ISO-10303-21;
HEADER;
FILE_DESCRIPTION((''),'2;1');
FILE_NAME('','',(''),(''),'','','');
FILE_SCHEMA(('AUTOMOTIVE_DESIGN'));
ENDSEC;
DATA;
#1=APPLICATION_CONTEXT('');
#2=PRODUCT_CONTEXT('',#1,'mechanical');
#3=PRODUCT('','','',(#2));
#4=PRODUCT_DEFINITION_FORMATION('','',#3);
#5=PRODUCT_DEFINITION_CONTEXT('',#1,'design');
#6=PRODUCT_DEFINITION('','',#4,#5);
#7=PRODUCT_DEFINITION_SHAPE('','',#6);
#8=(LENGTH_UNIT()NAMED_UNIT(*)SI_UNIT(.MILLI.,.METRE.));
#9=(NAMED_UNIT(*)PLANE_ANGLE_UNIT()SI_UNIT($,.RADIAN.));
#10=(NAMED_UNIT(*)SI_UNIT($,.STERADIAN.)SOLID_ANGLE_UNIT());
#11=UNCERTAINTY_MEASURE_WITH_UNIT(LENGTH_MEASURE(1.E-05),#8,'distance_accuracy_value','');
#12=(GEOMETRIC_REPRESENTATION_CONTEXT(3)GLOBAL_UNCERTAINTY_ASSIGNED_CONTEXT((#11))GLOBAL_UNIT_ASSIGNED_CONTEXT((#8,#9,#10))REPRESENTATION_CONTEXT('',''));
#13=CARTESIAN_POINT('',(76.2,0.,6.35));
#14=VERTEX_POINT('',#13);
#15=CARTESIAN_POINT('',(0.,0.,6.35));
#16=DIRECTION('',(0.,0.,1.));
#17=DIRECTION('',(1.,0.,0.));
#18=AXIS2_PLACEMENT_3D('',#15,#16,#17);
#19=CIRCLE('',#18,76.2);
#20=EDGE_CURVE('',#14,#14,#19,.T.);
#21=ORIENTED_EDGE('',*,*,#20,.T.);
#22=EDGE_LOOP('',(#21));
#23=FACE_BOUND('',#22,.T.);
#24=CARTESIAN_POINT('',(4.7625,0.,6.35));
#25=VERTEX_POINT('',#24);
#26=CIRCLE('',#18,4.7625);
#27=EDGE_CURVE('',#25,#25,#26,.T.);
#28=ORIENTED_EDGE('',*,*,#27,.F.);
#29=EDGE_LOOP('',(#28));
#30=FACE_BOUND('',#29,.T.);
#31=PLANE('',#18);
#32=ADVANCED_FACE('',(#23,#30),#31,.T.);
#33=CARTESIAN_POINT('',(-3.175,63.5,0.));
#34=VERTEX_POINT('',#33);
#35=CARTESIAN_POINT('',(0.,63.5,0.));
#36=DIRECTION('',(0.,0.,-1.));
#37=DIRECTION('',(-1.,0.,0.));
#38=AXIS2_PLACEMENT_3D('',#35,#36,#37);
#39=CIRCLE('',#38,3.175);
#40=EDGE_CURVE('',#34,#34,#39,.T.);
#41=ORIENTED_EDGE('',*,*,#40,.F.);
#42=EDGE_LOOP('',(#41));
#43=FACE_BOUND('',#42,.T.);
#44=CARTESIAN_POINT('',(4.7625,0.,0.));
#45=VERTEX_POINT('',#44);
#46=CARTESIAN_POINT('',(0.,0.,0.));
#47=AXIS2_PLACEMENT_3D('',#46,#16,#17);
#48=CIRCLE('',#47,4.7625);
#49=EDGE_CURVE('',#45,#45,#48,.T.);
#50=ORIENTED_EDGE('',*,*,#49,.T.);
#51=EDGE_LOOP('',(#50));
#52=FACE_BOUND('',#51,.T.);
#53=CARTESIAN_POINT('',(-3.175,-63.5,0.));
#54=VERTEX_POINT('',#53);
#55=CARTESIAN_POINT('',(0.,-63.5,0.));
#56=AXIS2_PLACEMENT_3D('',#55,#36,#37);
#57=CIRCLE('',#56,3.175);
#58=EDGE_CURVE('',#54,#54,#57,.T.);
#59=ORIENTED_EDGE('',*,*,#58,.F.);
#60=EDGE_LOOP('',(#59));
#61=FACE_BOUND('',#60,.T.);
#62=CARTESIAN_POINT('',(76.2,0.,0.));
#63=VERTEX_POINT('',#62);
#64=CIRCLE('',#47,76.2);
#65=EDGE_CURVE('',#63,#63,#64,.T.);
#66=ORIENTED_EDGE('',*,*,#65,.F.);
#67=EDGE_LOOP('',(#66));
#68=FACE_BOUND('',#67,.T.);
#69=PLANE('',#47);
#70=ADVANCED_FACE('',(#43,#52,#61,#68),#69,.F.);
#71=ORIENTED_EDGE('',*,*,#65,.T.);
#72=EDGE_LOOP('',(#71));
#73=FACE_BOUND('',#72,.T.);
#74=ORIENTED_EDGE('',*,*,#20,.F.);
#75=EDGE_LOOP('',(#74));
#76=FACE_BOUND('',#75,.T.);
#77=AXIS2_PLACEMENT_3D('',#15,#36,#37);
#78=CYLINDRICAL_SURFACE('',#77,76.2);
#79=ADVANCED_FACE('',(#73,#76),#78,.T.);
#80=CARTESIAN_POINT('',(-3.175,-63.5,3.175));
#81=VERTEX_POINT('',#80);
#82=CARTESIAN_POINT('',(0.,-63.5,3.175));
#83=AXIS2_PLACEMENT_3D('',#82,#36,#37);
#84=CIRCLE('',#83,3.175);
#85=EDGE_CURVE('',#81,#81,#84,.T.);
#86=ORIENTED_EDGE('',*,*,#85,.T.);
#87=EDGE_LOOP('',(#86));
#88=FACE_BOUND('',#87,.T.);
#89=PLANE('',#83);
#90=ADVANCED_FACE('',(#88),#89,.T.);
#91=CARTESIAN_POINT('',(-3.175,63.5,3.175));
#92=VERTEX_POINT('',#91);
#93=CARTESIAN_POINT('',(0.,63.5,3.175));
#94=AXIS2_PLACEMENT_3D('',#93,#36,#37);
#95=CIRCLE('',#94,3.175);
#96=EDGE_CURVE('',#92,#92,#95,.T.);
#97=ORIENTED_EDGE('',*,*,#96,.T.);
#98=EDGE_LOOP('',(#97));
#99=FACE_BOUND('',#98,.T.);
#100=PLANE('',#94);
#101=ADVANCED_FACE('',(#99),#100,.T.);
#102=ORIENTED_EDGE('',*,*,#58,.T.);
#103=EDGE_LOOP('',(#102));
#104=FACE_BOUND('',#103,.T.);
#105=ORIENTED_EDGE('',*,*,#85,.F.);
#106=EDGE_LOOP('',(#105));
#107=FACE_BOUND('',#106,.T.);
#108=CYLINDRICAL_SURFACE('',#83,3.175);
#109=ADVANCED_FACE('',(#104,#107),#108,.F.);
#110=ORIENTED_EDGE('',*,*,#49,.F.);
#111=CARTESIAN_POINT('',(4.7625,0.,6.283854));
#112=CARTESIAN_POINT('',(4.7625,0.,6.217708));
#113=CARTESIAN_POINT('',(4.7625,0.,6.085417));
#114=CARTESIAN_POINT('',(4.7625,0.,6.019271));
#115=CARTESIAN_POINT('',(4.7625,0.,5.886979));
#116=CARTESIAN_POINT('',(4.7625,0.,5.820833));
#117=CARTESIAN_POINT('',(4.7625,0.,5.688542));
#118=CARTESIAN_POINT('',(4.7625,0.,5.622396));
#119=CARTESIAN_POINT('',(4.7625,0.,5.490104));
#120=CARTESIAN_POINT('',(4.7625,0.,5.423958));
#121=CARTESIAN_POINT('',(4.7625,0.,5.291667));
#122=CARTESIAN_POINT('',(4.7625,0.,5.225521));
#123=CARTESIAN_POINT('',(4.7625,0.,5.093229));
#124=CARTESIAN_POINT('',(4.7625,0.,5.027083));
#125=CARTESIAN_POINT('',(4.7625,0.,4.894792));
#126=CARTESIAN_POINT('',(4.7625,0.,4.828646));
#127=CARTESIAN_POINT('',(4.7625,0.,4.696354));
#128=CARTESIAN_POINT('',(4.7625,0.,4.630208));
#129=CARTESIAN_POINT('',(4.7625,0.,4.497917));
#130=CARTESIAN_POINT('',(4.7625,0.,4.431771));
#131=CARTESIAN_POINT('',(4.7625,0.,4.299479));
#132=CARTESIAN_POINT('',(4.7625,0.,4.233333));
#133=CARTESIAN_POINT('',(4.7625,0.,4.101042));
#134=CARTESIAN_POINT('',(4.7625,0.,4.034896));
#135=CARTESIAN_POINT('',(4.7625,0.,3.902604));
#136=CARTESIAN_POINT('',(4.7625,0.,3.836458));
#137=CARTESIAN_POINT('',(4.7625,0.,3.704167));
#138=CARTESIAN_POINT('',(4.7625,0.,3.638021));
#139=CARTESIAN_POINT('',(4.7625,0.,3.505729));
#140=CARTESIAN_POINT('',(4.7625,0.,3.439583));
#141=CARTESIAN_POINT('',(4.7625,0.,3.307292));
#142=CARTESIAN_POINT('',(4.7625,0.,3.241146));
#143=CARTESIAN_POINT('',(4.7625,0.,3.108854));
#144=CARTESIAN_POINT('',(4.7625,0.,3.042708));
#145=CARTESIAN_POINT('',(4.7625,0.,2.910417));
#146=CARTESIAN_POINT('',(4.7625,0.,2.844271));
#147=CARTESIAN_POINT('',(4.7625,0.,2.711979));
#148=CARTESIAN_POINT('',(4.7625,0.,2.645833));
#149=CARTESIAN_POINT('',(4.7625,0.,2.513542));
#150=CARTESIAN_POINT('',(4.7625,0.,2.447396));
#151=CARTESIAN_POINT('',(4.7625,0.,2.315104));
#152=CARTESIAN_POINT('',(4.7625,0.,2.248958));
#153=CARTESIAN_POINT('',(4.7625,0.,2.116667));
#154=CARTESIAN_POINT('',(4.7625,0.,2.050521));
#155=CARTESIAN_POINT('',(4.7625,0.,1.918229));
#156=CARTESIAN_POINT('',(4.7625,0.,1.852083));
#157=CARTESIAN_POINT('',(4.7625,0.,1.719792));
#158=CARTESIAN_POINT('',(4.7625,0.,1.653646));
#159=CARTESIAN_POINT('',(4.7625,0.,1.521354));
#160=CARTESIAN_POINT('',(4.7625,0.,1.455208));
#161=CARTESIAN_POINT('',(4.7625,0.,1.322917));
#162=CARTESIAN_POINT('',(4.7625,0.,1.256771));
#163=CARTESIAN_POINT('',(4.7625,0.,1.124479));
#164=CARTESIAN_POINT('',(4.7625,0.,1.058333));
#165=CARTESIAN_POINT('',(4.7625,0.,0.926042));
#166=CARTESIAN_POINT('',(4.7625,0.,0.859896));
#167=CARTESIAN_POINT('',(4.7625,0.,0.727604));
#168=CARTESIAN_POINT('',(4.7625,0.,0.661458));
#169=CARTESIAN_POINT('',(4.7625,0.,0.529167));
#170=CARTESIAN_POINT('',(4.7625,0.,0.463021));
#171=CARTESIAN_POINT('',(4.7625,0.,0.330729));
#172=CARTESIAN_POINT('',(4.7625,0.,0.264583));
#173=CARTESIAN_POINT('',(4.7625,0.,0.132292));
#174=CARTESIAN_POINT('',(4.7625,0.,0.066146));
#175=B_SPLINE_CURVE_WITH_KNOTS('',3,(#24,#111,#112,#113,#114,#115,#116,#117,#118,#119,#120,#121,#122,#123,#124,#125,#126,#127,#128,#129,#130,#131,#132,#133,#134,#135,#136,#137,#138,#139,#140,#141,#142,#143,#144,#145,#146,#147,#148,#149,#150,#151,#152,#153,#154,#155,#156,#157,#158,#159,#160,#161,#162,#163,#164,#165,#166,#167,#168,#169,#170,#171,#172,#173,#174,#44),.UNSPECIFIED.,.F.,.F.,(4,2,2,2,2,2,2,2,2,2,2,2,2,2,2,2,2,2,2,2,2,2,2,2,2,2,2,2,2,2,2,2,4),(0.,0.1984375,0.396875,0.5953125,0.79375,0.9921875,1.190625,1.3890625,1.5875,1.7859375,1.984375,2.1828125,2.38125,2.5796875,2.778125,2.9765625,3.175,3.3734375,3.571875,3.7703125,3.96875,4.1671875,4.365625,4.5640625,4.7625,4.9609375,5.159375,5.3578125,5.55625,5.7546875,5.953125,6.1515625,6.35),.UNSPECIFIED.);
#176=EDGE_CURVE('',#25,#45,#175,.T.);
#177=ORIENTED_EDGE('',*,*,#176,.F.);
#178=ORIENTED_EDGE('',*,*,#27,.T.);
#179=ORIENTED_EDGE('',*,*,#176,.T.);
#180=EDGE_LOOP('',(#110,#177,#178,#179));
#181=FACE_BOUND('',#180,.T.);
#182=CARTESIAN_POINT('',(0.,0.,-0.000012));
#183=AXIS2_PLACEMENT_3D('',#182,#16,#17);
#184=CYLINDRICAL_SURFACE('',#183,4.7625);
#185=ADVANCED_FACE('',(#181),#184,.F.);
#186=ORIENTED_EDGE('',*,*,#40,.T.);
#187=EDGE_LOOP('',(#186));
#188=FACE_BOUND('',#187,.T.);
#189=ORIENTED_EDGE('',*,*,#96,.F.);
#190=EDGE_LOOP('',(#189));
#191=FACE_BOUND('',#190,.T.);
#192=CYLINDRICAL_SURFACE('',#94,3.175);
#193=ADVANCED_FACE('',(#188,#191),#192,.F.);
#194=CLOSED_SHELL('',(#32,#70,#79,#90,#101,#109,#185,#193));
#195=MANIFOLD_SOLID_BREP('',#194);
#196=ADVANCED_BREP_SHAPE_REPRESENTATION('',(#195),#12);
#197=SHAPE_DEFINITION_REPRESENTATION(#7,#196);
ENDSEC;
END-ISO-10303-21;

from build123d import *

# Parameters (mm, degrees)
SKETCH1_R               = 76.2
BOSS_EXTRUDE1_DEPTH     = 6.35
CUT_EXTRUDE3_DEPTH      = 108.95
CUT_EXTRUDE3_DEPTH_BACK = 108.95
SKETCH1_4_R             = 4.7625
SKETCH2_R               = 3.175
CUT_EXTRUDE4_DEPTH      = 3.175


with BuildPart() as part:
    # Sketch1 → Boss-Extrude1 (new body)
    with BuildSketch(Plane.XY):
        Circle(SKETCH1_R)
    extrude(amount=BOSS_EXTRUDE1_DEPTH)

    # Sketch1<4> → Cut-Extrude3 (cut, two sides: drawn at the far end of the back side and taken through both)
    with BuildSketch(Plane.XY.offset(-CUT_EXTRUDE3_DEPTH_BACK)):
        Circle(SKETCH1_4_R)
    extrude(amount=CUT_EXTRUDE3_DEPTH + CUT_EXTRUDE3_DEPTH_BACK, mode=Mode.SUBTRACT)

    # Sketch2 → Cut-Extrude4 (cut)
    with BuildSketch(Plane(origin=(0, 0, 0), x_dir=(-1, 0, 0), z_dir=(0, 0, -1))):
        with Locations((0, 63.5)):
            Circle(SKETCH2_R)
        with Locations((0, -63.5)):
            Circle(SKETCH2_R)
    extrude(amount=-CUT_EXTRUDE4_DEPTH, mode=Mode.SUBTRACT)


solid = part.part
